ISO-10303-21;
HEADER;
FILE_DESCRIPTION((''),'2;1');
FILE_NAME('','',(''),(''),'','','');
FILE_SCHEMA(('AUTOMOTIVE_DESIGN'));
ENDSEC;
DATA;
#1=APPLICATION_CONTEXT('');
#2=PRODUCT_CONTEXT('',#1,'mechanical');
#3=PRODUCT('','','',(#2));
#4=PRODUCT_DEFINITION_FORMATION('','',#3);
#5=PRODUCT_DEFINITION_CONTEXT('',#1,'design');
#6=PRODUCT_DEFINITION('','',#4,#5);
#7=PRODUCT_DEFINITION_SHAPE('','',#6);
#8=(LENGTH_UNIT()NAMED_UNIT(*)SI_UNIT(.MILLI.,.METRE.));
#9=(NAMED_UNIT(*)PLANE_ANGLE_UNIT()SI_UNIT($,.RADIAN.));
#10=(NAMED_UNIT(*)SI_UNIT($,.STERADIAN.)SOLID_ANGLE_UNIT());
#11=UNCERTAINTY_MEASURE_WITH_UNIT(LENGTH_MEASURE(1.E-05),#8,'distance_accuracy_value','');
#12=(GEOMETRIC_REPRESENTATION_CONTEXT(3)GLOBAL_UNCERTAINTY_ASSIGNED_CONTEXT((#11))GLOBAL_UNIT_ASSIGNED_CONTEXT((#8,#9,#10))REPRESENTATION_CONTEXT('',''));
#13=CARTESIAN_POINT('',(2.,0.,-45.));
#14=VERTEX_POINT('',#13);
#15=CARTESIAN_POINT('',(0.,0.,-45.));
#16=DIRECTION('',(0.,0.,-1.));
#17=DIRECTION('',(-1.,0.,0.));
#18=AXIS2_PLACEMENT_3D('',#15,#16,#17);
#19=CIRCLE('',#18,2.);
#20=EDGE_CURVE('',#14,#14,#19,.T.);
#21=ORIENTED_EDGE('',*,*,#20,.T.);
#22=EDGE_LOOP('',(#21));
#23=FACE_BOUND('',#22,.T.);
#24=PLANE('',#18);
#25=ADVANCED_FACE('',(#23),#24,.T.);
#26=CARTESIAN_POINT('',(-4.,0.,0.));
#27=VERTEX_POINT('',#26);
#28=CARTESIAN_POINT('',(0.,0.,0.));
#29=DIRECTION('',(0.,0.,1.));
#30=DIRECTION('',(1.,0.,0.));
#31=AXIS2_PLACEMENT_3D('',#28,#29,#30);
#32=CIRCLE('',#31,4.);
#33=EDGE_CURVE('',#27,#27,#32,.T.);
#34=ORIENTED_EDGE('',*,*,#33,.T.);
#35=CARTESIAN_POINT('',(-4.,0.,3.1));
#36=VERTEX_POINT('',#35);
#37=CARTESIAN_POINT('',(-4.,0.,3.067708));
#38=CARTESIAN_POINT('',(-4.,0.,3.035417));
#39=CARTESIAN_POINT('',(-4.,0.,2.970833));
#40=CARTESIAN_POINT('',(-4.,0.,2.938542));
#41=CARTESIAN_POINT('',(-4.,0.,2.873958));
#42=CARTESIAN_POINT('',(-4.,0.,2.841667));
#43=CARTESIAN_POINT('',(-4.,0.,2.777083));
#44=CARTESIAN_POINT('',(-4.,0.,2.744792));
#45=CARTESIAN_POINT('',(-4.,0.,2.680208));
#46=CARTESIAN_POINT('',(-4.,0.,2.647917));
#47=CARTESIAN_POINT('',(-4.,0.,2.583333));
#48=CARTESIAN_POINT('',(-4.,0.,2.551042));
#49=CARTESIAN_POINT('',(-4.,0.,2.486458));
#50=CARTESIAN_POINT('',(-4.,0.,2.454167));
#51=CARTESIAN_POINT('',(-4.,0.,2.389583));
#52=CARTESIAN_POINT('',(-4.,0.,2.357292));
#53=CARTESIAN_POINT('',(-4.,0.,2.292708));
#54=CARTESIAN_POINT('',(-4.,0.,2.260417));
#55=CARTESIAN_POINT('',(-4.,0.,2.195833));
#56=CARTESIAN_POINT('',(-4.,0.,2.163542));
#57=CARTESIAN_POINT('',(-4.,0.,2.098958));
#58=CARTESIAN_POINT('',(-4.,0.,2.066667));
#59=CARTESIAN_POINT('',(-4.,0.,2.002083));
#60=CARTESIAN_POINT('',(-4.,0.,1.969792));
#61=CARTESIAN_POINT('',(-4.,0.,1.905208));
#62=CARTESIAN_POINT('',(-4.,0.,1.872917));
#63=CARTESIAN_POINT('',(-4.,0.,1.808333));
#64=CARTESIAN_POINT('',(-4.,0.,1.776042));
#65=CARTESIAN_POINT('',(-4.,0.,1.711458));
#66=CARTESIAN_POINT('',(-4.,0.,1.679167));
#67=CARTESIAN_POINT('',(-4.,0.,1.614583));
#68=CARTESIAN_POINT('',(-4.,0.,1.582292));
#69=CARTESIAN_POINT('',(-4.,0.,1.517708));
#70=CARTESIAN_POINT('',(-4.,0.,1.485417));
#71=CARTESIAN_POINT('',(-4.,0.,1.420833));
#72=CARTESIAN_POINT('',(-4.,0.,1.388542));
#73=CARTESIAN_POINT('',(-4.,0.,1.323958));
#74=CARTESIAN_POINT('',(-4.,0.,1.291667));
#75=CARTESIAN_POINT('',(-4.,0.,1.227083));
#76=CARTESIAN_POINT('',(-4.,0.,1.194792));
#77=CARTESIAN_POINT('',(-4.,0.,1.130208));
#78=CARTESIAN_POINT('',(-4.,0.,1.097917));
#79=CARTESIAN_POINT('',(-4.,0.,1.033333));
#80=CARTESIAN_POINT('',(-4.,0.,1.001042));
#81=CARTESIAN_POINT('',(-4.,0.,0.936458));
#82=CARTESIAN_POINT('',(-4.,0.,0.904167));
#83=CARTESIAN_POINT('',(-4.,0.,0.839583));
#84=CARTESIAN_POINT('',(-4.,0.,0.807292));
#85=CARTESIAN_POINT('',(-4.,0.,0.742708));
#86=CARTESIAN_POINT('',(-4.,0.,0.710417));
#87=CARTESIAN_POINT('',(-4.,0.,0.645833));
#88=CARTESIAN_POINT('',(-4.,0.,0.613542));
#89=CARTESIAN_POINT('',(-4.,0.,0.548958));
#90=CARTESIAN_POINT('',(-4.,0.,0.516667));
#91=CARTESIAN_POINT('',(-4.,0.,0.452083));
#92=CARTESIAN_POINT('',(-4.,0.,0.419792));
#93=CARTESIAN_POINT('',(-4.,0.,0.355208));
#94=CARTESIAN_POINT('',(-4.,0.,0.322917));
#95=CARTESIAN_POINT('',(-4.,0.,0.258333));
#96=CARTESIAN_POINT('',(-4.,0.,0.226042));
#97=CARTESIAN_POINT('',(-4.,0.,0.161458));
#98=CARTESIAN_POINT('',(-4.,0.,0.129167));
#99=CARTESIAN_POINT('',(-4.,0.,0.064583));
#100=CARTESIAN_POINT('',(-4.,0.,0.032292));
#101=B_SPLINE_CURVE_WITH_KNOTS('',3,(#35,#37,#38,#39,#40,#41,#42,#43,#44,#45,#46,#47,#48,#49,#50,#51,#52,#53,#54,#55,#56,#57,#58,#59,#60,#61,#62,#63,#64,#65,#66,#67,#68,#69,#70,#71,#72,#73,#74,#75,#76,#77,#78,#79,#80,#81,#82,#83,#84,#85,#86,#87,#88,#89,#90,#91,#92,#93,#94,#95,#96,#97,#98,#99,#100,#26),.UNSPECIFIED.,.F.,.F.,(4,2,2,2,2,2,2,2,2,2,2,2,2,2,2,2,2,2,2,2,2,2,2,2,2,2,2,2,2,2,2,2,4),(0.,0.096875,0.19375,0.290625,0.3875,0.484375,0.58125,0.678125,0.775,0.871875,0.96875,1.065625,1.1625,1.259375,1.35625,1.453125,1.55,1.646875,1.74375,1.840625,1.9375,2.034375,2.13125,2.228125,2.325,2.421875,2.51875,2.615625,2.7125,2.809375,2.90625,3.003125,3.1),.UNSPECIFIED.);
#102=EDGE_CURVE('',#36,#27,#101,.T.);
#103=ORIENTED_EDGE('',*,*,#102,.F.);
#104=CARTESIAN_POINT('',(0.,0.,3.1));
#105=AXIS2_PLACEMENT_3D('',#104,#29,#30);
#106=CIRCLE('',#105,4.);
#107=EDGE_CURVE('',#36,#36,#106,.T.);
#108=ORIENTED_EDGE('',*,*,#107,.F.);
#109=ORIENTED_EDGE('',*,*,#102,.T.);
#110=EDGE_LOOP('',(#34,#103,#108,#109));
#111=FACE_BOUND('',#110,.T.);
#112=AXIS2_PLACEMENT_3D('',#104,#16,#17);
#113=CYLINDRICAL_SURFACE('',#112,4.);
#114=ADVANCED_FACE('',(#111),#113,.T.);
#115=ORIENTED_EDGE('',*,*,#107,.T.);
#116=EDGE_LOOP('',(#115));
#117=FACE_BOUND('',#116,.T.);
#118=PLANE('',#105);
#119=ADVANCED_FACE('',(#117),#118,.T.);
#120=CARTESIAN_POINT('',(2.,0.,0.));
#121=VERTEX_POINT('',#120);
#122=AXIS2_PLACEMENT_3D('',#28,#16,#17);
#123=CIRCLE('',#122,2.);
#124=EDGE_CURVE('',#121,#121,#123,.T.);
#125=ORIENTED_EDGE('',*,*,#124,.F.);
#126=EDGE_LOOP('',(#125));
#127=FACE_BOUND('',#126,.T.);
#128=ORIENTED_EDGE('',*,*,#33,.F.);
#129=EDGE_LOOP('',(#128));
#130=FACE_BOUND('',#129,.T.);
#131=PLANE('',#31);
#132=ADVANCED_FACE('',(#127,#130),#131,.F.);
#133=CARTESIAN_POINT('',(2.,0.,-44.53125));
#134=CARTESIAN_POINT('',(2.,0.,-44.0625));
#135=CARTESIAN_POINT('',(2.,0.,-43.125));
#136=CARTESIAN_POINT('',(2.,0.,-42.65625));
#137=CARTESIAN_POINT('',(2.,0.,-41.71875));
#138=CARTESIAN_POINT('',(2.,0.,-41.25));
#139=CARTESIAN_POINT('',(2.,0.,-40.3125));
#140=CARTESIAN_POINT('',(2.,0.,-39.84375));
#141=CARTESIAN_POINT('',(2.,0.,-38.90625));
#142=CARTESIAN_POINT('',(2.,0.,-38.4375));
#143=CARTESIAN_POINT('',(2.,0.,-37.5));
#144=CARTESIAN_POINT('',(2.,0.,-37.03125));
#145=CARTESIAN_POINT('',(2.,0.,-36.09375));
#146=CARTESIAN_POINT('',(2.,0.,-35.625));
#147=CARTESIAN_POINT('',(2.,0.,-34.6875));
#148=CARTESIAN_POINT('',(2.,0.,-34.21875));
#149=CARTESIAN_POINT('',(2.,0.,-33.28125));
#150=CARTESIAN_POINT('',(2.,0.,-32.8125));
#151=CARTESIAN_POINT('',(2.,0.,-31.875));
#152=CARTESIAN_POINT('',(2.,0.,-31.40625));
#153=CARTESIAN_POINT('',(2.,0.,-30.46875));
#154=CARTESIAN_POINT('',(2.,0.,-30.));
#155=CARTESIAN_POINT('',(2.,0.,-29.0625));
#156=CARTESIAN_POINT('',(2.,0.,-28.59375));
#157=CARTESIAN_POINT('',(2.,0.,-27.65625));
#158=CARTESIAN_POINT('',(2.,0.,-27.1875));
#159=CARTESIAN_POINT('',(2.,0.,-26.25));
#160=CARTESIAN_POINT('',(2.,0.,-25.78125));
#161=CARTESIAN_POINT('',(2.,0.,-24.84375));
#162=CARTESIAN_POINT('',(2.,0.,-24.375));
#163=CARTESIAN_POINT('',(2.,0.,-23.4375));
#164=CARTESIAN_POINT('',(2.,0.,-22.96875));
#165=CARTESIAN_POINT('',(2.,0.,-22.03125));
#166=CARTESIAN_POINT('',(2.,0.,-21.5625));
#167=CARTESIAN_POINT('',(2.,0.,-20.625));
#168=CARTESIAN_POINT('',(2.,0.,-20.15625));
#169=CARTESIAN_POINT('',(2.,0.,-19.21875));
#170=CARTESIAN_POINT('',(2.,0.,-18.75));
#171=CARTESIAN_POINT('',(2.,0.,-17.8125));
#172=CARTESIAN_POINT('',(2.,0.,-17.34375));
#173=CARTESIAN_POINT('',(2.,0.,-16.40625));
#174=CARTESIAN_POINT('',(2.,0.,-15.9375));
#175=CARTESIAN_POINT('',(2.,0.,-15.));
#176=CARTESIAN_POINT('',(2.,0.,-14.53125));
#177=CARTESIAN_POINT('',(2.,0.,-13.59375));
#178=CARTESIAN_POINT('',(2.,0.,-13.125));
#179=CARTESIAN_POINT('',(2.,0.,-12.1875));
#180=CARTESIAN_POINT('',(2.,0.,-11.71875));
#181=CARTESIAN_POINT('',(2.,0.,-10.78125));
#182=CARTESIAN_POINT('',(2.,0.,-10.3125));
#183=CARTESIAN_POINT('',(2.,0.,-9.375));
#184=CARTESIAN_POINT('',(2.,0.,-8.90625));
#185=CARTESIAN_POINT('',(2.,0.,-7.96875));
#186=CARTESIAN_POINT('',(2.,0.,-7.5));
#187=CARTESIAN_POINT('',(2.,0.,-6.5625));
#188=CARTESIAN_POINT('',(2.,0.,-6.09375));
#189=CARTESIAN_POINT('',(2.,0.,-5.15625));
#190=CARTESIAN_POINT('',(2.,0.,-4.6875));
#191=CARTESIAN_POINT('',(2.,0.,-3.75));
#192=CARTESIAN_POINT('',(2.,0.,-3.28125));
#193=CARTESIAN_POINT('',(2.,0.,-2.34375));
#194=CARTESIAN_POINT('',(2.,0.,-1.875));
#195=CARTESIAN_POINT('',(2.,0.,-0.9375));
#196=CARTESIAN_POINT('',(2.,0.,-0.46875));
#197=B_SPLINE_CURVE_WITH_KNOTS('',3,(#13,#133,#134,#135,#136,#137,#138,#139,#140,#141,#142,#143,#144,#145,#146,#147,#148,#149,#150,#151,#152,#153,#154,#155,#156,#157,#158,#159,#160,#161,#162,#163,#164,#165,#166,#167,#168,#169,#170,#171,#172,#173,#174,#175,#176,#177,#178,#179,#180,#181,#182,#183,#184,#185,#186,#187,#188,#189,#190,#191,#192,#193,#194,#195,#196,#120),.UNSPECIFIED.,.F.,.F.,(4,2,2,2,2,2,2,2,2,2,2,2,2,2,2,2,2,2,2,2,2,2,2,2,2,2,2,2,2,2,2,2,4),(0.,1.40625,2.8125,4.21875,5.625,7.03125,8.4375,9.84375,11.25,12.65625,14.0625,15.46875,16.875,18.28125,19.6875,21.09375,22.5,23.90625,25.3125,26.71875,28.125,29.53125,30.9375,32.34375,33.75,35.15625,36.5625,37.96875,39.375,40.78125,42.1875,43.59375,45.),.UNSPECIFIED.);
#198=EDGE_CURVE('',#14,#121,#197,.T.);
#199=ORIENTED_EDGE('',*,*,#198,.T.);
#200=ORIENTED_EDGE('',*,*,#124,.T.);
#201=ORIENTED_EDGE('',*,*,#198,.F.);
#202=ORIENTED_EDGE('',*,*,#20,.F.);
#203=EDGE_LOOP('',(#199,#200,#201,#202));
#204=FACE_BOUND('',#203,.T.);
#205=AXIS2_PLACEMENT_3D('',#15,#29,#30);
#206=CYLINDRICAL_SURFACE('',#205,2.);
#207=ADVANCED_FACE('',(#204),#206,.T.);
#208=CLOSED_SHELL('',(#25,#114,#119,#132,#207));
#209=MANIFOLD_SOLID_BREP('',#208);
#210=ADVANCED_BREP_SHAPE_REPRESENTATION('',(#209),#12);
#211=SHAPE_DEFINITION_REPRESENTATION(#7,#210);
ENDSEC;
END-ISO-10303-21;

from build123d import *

# Parameters (mm, degrees)
ESQUISSE1_R        = 4
BOSS_EXTRU_1_DEPTH = 3.1
ESQUISSE2_R        = 2
BOSS_EXTRU_2_DEPTH = 45


with BuildPart() as part:
    # Esquisse1 → Boss.-Extru.1 (new body)
    with BuildSketch(Plane.XY):
        with Locations(Location((0, 0, 0), (0, 0, 180))):
            Circle(ESQUISSE1_R)
    extrude(amount=BOSS_EXTRU_1_DEPTH)

    # Esquisse2 → Boss.-Extru.2 (add)
    with BuildSketch(Plane(origin=(0, 0, 0), x_dir=(-1, 0, 0), z_dir=(0, 0, -1))):
        with Locations(Location((0, 0, 0), (0, 0, 180))):
            Circle(ESQUISSE2_R)
    extrude(amount=BOSS_EXTRU_2_DEPTH)


solid = part.part
